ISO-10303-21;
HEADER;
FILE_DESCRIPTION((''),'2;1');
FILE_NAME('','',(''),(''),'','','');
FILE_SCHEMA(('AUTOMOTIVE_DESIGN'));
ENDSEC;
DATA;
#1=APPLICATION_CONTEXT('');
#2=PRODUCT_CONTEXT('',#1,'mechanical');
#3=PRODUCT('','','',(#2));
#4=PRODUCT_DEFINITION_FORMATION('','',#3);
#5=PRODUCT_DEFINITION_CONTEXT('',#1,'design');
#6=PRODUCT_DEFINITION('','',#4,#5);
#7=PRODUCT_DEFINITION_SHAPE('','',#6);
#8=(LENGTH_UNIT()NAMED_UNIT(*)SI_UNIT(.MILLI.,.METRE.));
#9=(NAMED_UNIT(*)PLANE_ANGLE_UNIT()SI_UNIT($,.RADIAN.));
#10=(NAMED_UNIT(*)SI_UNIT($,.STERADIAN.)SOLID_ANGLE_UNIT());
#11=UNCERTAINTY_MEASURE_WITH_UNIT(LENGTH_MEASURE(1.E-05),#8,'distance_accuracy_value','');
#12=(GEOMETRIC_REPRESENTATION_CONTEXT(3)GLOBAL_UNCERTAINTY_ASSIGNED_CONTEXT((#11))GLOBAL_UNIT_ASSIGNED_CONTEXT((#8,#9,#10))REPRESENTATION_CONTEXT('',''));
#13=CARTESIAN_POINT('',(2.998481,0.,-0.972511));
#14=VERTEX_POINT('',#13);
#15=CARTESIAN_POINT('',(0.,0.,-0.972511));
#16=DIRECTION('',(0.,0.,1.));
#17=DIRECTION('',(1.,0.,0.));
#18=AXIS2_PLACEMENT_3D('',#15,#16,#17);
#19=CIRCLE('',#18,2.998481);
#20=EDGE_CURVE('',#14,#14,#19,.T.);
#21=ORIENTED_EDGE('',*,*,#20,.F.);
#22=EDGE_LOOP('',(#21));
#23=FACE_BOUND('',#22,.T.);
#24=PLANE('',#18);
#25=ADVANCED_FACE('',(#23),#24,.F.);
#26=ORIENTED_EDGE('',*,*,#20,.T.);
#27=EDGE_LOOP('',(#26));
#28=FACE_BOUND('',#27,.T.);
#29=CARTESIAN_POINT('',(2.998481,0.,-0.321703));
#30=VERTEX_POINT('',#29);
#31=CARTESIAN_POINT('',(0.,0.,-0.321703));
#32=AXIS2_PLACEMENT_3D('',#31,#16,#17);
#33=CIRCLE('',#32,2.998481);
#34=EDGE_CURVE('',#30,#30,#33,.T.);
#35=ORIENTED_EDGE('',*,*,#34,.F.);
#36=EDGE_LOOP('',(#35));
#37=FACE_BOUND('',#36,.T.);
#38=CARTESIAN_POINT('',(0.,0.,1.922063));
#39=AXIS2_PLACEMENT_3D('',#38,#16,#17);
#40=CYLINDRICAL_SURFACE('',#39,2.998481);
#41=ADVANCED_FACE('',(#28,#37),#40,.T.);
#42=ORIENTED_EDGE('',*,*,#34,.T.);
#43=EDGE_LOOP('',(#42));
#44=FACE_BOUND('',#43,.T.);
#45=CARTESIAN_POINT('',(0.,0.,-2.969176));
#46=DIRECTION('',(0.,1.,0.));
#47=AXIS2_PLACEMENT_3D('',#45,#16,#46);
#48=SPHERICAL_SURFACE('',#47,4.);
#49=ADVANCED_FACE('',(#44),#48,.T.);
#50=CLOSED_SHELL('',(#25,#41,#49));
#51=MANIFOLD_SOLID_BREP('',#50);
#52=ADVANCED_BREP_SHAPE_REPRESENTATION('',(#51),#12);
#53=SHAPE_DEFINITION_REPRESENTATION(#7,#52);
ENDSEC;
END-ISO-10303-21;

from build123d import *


with BuildPart() as part:
    # Эскиз1 → Повернуть6 (revolve)
    with BuildSketch(Plane(origin=(0, 0, 0), x_dir=(0, 0, -1), z_dir=(1, 0, 0)), mode=Mode.PRIVATE) as revolve_6_sk:
        with BuildLine():
            Line((0.972510965, 2.998480652), (0.32170289, 2.998480652))
            ThreePointArc((0.32170289, 2.998480652), (-0.677047568, 1.64470478), (-1.030824016, 0))
            Line((-1.030824016, 0), (0.972510965, 0))
            Line((0.972510965, 0), (0.972510965, 2.998480652))
        make_face()
    revolve(revolve_6_sk.sketch.rotate(Axis((0, 0, 1.922063247), (0, 0, -1)), 90), axis=Axis((0, 0, 1.922063247), (0, 0, -1)))


solid = part.part
